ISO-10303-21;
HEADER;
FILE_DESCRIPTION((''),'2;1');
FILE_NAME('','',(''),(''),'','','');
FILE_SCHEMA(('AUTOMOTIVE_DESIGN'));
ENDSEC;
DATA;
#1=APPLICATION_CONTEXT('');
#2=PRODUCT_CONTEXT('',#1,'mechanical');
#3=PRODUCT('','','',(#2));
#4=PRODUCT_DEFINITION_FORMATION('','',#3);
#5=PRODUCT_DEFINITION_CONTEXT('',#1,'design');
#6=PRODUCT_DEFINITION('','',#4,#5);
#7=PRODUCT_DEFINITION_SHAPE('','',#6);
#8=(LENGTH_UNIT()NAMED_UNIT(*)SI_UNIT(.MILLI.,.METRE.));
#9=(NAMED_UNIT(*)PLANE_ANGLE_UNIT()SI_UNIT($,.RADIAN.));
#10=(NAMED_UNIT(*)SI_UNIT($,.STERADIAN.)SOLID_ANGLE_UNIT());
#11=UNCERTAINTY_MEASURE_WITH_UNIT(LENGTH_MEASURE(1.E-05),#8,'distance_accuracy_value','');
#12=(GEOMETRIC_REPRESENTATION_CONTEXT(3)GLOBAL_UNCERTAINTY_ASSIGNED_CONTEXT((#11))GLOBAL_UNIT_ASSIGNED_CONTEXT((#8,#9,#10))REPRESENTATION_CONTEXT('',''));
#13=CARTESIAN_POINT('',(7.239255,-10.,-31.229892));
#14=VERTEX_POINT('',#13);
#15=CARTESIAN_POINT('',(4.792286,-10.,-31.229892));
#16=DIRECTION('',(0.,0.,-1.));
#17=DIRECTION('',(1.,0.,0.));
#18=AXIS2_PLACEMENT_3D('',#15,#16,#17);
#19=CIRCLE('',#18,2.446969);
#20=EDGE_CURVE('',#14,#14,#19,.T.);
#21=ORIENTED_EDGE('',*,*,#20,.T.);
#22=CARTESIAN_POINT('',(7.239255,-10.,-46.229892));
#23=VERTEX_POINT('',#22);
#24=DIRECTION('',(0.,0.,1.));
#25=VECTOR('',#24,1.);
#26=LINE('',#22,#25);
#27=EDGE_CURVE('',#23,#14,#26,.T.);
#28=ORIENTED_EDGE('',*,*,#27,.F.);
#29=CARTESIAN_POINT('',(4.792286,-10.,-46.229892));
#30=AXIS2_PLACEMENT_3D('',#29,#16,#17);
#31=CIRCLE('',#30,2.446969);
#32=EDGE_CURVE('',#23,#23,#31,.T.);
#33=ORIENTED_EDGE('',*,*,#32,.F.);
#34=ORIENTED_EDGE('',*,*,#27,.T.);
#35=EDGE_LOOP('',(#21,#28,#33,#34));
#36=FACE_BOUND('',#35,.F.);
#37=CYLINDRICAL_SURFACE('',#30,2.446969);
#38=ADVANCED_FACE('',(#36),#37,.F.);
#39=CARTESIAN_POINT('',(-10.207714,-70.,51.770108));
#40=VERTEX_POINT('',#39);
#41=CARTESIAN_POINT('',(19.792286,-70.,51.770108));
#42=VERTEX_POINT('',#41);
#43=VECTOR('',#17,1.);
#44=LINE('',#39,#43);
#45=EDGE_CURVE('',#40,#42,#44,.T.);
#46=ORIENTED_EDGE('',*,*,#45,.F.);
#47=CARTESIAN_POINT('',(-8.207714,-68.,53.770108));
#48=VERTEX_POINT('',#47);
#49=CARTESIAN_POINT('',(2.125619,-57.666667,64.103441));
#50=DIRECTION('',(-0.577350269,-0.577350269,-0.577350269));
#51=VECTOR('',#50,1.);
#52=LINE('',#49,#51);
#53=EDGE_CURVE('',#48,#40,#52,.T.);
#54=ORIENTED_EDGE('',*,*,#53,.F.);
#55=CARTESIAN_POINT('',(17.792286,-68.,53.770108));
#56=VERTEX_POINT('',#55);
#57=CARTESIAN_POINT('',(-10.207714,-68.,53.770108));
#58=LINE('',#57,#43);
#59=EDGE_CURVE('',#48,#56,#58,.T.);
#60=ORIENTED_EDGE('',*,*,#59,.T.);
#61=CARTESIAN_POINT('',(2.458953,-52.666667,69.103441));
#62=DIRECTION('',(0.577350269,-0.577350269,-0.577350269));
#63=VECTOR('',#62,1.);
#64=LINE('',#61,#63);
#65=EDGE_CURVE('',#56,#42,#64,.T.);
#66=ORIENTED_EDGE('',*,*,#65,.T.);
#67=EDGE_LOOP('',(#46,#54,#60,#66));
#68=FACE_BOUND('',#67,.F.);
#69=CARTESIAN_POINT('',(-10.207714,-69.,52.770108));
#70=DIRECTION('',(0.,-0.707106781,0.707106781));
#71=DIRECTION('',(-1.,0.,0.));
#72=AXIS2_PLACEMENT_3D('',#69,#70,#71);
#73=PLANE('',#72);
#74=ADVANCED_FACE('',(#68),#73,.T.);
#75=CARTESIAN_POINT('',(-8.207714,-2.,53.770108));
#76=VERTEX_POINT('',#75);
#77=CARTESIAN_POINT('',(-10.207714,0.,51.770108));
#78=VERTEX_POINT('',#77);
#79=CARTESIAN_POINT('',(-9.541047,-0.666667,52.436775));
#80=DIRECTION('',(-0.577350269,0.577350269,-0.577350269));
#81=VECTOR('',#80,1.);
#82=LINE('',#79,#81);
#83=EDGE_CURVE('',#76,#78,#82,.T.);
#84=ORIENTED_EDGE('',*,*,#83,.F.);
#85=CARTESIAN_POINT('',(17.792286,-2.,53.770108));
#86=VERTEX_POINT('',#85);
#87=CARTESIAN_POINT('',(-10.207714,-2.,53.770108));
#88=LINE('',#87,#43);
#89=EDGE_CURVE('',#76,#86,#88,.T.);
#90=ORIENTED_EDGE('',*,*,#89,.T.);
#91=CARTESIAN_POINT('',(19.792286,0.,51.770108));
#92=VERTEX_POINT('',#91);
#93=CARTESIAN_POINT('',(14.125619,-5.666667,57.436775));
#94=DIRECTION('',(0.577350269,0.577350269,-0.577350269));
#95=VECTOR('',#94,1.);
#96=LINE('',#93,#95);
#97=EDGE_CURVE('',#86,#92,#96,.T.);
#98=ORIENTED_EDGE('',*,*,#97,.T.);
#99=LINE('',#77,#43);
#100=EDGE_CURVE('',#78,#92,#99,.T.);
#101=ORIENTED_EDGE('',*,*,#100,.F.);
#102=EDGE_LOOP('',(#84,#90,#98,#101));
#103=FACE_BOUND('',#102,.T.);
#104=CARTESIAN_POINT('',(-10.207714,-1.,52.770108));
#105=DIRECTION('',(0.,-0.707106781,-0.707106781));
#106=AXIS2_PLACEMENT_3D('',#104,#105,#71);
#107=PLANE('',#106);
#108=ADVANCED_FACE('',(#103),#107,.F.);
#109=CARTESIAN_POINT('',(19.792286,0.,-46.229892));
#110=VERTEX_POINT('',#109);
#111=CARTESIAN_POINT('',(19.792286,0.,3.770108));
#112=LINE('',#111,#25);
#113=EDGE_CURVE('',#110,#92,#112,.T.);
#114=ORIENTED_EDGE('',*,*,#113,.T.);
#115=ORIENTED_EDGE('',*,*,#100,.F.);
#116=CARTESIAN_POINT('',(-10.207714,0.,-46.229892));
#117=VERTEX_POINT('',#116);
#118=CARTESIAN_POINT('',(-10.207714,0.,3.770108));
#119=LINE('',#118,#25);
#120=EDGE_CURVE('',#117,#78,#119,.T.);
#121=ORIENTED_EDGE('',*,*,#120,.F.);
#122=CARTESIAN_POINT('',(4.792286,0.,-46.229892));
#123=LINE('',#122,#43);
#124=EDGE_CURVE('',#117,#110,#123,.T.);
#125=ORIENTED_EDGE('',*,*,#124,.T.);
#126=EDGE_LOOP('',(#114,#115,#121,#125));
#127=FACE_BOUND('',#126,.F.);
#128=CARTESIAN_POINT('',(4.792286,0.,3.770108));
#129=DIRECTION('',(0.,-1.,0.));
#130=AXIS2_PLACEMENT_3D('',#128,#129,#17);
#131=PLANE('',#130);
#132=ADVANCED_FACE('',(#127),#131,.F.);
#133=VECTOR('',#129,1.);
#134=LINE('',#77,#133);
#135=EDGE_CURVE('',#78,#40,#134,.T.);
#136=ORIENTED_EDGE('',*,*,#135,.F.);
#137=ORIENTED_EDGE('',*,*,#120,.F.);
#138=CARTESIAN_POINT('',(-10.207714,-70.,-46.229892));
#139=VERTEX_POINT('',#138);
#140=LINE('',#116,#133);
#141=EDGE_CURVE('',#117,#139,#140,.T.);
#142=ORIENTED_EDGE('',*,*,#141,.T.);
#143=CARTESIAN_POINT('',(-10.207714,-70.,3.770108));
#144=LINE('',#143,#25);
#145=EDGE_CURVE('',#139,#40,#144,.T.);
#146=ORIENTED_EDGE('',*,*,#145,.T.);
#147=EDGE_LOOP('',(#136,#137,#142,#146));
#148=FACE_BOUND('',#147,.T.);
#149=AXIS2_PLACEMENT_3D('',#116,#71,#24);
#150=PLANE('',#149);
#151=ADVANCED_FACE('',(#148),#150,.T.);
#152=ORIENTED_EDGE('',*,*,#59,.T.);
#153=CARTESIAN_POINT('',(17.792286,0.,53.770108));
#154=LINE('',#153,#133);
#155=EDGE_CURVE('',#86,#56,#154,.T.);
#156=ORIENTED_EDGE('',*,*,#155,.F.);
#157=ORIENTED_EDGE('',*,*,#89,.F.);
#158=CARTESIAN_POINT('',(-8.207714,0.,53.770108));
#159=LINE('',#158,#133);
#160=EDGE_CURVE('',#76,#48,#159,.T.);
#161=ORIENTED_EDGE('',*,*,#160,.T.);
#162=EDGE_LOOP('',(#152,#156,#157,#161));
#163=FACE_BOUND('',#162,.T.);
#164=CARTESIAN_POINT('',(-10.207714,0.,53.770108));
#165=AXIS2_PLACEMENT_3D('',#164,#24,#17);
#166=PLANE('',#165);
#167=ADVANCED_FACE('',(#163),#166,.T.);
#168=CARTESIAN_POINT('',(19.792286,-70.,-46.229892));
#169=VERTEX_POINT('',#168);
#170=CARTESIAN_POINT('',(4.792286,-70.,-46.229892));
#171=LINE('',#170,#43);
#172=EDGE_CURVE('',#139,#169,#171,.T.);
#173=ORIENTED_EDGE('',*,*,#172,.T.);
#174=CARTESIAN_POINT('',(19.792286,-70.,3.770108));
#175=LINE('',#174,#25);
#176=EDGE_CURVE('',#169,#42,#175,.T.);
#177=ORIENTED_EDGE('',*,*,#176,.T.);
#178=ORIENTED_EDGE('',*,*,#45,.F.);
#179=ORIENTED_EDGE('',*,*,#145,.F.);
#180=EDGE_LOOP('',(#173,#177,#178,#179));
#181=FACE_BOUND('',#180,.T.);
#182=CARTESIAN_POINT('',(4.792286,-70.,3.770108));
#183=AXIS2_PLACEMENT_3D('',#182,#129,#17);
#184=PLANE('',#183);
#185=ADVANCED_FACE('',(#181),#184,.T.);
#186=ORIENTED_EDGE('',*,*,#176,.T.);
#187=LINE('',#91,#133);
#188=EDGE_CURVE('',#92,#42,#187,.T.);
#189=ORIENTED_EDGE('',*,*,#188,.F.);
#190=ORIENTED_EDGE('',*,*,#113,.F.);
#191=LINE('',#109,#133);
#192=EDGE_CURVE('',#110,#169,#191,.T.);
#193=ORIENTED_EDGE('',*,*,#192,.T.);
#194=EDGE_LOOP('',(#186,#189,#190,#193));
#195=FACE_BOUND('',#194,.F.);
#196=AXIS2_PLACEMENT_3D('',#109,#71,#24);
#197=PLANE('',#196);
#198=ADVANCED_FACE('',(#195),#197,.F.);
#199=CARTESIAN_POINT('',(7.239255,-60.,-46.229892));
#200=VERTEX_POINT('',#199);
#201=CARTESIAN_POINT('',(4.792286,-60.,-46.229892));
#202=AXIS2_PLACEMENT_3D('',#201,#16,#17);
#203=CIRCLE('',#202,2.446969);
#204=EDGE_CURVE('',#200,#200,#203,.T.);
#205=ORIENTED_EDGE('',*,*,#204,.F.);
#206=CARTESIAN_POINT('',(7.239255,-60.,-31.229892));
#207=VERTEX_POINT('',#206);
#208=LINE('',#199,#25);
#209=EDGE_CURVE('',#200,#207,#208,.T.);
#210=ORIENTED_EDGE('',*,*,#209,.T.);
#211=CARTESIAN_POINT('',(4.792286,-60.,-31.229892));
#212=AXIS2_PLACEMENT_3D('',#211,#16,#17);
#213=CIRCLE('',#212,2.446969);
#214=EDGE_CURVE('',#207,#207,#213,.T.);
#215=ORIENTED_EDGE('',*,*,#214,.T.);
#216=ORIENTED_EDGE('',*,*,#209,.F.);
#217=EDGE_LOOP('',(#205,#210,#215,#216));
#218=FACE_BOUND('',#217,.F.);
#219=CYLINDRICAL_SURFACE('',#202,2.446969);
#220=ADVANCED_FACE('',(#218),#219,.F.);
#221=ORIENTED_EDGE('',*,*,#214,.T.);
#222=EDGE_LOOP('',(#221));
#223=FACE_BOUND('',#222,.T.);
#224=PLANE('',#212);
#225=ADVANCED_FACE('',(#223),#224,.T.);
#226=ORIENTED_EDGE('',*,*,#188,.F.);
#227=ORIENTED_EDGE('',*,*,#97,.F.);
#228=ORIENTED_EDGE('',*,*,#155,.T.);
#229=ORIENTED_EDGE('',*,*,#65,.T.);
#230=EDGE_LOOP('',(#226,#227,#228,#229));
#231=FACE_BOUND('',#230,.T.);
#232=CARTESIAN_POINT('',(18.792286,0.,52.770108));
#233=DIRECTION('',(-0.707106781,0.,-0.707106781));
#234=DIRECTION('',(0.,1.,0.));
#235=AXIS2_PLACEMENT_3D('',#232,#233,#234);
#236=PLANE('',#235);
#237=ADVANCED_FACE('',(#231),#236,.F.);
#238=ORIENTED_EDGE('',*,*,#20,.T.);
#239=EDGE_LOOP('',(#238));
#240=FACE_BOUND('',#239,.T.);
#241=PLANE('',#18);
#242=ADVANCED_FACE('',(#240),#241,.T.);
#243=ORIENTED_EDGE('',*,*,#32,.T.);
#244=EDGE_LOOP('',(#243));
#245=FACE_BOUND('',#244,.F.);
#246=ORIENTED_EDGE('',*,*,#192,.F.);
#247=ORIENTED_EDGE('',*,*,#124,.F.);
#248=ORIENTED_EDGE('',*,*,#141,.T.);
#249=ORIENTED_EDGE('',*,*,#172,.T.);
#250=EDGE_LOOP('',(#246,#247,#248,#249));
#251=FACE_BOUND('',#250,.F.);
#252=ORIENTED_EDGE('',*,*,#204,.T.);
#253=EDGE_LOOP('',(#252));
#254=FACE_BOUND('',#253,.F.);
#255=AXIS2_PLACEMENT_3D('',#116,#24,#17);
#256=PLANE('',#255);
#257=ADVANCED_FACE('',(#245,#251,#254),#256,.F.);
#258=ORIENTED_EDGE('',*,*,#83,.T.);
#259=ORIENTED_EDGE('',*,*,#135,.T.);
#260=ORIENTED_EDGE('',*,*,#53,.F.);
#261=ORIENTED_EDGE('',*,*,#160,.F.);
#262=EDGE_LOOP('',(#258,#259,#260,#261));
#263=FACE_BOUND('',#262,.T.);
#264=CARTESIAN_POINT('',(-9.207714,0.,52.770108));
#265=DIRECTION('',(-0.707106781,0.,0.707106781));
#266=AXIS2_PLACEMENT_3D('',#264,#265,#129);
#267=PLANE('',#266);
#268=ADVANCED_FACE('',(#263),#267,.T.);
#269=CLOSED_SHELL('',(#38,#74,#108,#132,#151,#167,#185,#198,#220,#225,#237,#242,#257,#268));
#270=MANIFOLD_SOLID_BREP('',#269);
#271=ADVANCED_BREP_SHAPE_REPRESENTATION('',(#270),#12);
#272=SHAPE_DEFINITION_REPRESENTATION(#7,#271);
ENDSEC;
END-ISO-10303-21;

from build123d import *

# Parameters (mm, degrees)
F0_W     = 30
F0_H     = 100
F1_DEPTH = 70
F2_R     = 2.446969
F3_DEPTH = 15
F4_SIZE  = 2


with BuildPart() as f1:
    # F0 (on Front) → F1 (new body)
    with BuildSketch(Plane.XZ):
        with Locations((4.792286, 3.770108)):
            Rectangle(F0_W, F0_H)
    extrude(amount=F1_DEPTH)

    # F2 (on face) → F3 (cut)
    with BuildSketch(Plane(origin=(0, 0, -46.229892), x_dir=(1, 0, 0), z_dir=(0, 0, -1))):
        with Locations((4.792286, 60)):
            Circle(F2_R)
        with Locations((4.792286, 10)):
            Circle(F2_R)
    extrude(amount=-F3_DEPTH, mode=Mode.SUBTRACT)

    # F4
    f4_edges = [f1.edges().sort_by_distance(p)[0] for p in [
        (4.792286, -70, 53.770108),
        (19.792286, -35, 53.770108),
        (4.792286, 0, 53.770108),
        (-10.207714, -35, 53.770108),
    ]]
    chamfer(f4_edges, length=F4_SIZE)


solid = f1.part
